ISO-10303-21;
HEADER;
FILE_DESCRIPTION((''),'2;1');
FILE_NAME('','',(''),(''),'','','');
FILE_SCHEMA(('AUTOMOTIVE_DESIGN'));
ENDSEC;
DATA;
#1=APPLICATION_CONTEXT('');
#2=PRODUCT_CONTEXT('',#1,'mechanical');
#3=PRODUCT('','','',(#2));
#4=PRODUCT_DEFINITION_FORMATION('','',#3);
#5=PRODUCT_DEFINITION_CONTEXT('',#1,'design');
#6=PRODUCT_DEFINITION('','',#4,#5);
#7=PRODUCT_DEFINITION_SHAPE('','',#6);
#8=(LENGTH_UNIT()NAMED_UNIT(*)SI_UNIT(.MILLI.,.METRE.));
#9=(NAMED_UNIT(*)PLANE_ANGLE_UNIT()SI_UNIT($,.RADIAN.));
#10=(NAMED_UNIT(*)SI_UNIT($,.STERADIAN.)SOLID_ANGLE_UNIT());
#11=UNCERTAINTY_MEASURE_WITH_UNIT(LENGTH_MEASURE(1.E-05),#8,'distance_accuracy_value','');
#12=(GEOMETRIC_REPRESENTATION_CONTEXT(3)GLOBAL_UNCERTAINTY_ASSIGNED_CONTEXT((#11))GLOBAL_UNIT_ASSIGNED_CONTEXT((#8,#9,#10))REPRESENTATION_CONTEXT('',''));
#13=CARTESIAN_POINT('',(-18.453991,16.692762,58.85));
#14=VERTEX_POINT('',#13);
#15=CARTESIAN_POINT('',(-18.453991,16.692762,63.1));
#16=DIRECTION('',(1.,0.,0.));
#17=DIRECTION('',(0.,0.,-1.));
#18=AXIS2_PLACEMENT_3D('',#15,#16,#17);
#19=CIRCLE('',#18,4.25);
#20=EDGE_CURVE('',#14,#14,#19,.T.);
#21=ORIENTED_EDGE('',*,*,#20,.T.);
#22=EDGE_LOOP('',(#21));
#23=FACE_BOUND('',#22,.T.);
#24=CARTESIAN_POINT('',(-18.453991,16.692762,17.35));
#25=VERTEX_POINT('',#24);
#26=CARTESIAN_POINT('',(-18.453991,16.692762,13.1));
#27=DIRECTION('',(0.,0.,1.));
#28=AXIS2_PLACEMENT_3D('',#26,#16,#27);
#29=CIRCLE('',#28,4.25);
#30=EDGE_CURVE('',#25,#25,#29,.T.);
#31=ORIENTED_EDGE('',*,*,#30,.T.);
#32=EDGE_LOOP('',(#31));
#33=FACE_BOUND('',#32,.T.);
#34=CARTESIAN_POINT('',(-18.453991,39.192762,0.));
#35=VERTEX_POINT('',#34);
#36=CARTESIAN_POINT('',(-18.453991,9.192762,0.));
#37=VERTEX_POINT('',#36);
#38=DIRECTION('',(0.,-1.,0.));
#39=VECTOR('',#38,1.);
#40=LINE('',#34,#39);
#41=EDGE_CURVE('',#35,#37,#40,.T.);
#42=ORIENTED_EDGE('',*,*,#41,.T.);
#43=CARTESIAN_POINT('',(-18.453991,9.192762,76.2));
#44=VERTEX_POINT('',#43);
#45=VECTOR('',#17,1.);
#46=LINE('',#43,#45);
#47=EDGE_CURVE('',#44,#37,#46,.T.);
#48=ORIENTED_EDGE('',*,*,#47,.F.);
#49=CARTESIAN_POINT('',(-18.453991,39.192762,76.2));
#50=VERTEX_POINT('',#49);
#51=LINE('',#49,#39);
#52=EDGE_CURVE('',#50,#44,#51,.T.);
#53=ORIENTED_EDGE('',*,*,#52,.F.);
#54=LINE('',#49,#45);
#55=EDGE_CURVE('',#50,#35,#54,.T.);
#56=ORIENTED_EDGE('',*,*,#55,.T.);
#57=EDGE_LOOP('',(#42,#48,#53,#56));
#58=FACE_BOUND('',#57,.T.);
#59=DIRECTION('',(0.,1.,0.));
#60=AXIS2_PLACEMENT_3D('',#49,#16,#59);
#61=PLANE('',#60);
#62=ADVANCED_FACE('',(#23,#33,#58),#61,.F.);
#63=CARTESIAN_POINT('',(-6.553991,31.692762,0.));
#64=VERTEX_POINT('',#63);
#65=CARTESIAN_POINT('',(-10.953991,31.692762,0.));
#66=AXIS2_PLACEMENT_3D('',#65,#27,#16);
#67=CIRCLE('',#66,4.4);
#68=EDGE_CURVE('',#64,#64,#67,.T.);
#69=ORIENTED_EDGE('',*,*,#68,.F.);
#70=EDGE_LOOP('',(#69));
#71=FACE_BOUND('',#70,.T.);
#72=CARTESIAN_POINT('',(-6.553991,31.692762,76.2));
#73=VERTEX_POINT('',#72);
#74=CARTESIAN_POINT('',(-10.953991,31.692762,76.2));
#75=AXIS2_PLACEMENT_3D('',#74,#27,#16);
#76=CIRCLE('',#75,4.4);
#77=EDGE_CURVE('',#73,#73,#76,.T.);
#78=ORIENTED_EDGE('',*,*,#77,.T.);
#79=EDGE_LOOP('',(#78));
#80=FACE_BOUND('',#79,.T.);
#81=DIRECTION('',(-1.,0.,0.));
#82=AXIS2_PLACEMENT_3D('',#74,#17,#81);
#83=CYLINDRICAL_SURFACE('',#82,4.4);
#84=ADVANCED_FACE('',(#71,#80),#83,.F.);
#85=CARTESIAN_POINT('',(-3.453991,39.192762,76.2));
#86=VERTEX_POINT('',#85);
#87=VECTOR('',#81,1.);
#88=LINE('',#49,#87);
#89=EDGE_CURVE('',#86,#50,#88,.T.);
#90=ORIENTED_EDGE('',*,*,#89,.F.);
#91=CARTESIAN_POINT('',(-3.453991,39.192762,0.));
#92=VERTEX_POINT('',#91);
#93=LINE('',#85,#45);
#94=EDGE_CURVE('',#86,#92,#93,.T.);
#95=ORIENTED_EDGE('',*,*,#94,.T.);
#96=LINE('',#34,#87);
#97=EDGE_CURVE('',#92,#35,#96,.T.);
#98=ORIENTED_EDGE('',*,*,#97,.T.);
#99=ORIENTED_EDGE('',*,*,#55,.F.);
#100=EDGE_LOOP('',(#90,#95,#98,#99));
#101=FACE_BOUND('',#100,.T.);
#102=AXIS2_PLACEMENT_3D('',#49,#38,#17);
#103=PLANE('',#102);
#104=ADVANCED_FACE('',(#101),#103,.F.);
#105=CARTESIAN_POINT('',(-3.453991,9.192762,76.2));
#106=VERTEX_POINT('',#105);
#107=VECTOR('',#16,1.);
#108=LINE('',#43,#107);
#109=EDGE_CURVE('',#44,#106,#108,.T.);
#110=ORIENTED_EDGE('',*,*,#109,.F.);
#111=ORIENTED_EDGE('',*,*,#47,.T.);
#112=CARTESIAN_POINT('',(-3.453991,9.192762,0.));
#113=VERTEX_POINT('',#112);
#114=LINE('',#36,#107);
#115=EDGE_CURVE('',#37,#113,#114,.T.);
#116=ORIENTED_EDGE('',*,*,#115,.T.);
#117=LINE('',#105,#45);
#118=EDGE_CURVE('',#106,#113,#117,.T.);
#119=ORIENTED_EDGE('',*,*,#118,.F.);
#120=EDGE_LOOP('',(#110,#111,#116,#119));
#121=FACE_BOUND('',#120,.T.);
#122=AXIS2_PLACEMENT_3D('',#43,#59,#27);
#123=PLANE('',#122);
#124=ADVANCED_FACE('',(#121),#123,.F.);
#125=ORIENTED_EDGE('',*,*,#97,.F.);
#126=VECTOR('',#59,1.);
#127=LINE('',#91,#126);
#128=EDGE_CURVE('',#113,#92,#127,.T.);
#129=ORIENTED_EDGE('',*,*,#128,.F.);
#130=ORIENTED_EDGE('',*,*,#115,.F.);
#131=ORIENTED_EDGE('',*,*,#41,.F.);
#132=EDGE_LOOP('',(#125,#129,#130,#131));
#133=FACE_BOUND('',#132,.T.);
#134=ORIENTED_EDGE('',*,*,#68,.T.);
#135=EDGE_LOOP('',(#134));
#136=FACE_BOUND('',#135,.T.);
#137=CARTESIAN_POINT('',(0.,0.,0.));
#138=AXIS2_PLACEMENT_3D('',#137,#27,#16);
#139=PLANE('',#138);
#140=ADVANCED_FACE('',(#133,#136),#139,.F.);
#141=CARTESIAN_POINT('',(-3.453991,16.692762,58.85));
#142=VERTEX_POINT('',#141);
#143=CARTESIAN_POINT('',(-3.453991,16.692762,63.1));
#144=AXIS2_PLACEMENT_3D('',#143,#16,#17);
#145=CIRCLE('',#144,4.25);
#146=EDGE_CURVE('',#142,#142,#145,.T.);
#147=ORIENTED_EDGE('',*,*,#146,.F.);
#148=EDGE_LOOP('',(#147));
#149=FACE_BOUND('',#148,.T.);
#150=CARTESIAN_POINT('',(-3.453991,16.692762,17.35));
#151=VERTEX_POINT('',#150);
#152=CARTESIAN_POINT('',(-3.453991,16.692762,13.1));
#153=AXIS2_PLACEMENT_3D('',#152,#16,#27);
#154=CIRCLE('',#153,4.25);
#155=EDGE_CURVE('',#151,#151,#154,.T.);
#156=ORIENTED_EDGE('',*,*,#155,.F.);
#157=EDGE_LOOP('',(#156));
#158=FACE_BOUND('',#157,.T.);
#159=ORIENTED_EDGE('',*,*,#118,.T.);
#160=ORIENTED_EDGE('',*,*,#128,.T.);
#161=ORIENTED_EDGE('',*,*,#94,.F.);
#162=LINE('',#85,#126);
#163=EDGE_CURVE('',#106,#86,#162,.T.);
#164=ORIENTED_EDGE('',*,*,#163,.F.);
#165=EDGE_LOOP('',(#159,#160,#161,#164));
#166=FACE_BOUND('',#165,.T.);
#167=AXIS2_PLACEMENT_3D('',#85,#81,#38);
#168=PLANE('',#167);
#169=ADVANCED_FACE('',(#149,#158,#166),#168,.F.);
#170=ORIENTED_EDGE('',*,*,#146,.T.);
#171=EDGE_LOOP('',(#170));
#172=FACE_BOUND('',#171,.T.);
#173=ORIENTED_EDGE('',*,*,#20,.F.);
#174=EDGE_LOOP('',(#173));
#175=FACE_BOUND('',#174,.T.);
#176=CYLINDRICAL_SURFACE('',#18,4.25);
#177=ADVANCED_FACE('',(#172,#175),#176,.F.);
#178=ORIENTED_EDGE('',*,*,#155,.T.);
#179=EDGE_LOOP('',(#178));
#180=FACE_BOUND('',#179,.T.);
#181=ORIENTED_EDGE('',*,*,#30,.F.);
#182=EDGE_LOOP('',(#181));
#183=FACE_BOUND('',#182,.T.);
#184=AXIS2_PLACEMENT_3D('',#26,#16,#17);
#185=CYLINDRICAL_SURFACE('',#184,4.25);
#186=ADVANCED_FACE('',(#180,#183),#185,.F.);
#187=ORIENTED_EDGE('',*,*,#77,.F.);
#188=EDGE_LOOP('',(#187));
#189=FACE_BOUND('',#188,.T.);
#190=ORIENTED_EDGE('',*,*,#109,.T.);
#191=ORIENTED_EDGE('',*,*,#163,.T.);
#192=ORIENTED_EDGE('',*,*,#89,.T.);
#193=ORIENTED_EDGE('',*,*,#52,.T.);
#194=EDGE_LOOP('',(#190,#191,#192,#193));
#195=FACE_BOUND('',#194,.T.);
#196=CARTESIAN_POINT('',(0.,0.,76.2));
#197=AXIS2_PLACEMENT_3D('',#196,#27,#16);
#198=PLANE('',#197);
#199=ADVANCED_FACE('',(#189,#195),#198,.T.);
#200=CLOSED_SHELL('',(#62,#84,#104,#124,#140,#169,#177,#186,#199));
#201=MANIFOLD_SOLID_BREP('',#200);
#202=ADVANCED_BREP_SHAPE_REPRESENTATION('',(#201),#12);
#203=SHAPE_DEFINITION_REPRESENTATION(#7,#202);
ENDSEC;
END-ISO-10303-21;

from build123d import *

# Parameters (mm, degrees)
SKETCH2_W           = 15
SKETCH2_H           = 30
SKETCH2_R           = 4.4
BOSS_EXTRUDE1_DEPTH = 76.2
SKETCH3_R           = 4.25
CUT_EXTRUDE2_DEPTH  = 16


with BuildPart() as part:
    # Sketch2 → Boss-Extrude1 (new body)
    with BuildSketch(Plane.XY):
        with Locations((-10.953990987, 24.19276181)):
            Rectangle(SKETCH2_W, SKETCH2_H)
        with Locations((-10.953990987, 31.69276181)):
            Circle(SKETCH2_R, mode=Mode.SUBTRACT)
    extrude(amount=BOSS_EXTRUDE1_DEPTH)

    # Sketch3 → Cut-Extrude2 (cut, through all)
    with BuildSketch(Plane(origin=(-3.453990987, 0, 0), x_dir=(0, 0, -1), z_dir=(1, 0, 0))):
        with Locations((-63.1, 16.69276181)):
            Circle(SKETCH3_R)
        with Locations((-13.1, 16.69276181)):
            Circle(SKETCH3_R)
    extrude(amount=-CUT_EXTRUDE2_DEPTH, mode=Mode.SUBTRACT)


solid = part.part
